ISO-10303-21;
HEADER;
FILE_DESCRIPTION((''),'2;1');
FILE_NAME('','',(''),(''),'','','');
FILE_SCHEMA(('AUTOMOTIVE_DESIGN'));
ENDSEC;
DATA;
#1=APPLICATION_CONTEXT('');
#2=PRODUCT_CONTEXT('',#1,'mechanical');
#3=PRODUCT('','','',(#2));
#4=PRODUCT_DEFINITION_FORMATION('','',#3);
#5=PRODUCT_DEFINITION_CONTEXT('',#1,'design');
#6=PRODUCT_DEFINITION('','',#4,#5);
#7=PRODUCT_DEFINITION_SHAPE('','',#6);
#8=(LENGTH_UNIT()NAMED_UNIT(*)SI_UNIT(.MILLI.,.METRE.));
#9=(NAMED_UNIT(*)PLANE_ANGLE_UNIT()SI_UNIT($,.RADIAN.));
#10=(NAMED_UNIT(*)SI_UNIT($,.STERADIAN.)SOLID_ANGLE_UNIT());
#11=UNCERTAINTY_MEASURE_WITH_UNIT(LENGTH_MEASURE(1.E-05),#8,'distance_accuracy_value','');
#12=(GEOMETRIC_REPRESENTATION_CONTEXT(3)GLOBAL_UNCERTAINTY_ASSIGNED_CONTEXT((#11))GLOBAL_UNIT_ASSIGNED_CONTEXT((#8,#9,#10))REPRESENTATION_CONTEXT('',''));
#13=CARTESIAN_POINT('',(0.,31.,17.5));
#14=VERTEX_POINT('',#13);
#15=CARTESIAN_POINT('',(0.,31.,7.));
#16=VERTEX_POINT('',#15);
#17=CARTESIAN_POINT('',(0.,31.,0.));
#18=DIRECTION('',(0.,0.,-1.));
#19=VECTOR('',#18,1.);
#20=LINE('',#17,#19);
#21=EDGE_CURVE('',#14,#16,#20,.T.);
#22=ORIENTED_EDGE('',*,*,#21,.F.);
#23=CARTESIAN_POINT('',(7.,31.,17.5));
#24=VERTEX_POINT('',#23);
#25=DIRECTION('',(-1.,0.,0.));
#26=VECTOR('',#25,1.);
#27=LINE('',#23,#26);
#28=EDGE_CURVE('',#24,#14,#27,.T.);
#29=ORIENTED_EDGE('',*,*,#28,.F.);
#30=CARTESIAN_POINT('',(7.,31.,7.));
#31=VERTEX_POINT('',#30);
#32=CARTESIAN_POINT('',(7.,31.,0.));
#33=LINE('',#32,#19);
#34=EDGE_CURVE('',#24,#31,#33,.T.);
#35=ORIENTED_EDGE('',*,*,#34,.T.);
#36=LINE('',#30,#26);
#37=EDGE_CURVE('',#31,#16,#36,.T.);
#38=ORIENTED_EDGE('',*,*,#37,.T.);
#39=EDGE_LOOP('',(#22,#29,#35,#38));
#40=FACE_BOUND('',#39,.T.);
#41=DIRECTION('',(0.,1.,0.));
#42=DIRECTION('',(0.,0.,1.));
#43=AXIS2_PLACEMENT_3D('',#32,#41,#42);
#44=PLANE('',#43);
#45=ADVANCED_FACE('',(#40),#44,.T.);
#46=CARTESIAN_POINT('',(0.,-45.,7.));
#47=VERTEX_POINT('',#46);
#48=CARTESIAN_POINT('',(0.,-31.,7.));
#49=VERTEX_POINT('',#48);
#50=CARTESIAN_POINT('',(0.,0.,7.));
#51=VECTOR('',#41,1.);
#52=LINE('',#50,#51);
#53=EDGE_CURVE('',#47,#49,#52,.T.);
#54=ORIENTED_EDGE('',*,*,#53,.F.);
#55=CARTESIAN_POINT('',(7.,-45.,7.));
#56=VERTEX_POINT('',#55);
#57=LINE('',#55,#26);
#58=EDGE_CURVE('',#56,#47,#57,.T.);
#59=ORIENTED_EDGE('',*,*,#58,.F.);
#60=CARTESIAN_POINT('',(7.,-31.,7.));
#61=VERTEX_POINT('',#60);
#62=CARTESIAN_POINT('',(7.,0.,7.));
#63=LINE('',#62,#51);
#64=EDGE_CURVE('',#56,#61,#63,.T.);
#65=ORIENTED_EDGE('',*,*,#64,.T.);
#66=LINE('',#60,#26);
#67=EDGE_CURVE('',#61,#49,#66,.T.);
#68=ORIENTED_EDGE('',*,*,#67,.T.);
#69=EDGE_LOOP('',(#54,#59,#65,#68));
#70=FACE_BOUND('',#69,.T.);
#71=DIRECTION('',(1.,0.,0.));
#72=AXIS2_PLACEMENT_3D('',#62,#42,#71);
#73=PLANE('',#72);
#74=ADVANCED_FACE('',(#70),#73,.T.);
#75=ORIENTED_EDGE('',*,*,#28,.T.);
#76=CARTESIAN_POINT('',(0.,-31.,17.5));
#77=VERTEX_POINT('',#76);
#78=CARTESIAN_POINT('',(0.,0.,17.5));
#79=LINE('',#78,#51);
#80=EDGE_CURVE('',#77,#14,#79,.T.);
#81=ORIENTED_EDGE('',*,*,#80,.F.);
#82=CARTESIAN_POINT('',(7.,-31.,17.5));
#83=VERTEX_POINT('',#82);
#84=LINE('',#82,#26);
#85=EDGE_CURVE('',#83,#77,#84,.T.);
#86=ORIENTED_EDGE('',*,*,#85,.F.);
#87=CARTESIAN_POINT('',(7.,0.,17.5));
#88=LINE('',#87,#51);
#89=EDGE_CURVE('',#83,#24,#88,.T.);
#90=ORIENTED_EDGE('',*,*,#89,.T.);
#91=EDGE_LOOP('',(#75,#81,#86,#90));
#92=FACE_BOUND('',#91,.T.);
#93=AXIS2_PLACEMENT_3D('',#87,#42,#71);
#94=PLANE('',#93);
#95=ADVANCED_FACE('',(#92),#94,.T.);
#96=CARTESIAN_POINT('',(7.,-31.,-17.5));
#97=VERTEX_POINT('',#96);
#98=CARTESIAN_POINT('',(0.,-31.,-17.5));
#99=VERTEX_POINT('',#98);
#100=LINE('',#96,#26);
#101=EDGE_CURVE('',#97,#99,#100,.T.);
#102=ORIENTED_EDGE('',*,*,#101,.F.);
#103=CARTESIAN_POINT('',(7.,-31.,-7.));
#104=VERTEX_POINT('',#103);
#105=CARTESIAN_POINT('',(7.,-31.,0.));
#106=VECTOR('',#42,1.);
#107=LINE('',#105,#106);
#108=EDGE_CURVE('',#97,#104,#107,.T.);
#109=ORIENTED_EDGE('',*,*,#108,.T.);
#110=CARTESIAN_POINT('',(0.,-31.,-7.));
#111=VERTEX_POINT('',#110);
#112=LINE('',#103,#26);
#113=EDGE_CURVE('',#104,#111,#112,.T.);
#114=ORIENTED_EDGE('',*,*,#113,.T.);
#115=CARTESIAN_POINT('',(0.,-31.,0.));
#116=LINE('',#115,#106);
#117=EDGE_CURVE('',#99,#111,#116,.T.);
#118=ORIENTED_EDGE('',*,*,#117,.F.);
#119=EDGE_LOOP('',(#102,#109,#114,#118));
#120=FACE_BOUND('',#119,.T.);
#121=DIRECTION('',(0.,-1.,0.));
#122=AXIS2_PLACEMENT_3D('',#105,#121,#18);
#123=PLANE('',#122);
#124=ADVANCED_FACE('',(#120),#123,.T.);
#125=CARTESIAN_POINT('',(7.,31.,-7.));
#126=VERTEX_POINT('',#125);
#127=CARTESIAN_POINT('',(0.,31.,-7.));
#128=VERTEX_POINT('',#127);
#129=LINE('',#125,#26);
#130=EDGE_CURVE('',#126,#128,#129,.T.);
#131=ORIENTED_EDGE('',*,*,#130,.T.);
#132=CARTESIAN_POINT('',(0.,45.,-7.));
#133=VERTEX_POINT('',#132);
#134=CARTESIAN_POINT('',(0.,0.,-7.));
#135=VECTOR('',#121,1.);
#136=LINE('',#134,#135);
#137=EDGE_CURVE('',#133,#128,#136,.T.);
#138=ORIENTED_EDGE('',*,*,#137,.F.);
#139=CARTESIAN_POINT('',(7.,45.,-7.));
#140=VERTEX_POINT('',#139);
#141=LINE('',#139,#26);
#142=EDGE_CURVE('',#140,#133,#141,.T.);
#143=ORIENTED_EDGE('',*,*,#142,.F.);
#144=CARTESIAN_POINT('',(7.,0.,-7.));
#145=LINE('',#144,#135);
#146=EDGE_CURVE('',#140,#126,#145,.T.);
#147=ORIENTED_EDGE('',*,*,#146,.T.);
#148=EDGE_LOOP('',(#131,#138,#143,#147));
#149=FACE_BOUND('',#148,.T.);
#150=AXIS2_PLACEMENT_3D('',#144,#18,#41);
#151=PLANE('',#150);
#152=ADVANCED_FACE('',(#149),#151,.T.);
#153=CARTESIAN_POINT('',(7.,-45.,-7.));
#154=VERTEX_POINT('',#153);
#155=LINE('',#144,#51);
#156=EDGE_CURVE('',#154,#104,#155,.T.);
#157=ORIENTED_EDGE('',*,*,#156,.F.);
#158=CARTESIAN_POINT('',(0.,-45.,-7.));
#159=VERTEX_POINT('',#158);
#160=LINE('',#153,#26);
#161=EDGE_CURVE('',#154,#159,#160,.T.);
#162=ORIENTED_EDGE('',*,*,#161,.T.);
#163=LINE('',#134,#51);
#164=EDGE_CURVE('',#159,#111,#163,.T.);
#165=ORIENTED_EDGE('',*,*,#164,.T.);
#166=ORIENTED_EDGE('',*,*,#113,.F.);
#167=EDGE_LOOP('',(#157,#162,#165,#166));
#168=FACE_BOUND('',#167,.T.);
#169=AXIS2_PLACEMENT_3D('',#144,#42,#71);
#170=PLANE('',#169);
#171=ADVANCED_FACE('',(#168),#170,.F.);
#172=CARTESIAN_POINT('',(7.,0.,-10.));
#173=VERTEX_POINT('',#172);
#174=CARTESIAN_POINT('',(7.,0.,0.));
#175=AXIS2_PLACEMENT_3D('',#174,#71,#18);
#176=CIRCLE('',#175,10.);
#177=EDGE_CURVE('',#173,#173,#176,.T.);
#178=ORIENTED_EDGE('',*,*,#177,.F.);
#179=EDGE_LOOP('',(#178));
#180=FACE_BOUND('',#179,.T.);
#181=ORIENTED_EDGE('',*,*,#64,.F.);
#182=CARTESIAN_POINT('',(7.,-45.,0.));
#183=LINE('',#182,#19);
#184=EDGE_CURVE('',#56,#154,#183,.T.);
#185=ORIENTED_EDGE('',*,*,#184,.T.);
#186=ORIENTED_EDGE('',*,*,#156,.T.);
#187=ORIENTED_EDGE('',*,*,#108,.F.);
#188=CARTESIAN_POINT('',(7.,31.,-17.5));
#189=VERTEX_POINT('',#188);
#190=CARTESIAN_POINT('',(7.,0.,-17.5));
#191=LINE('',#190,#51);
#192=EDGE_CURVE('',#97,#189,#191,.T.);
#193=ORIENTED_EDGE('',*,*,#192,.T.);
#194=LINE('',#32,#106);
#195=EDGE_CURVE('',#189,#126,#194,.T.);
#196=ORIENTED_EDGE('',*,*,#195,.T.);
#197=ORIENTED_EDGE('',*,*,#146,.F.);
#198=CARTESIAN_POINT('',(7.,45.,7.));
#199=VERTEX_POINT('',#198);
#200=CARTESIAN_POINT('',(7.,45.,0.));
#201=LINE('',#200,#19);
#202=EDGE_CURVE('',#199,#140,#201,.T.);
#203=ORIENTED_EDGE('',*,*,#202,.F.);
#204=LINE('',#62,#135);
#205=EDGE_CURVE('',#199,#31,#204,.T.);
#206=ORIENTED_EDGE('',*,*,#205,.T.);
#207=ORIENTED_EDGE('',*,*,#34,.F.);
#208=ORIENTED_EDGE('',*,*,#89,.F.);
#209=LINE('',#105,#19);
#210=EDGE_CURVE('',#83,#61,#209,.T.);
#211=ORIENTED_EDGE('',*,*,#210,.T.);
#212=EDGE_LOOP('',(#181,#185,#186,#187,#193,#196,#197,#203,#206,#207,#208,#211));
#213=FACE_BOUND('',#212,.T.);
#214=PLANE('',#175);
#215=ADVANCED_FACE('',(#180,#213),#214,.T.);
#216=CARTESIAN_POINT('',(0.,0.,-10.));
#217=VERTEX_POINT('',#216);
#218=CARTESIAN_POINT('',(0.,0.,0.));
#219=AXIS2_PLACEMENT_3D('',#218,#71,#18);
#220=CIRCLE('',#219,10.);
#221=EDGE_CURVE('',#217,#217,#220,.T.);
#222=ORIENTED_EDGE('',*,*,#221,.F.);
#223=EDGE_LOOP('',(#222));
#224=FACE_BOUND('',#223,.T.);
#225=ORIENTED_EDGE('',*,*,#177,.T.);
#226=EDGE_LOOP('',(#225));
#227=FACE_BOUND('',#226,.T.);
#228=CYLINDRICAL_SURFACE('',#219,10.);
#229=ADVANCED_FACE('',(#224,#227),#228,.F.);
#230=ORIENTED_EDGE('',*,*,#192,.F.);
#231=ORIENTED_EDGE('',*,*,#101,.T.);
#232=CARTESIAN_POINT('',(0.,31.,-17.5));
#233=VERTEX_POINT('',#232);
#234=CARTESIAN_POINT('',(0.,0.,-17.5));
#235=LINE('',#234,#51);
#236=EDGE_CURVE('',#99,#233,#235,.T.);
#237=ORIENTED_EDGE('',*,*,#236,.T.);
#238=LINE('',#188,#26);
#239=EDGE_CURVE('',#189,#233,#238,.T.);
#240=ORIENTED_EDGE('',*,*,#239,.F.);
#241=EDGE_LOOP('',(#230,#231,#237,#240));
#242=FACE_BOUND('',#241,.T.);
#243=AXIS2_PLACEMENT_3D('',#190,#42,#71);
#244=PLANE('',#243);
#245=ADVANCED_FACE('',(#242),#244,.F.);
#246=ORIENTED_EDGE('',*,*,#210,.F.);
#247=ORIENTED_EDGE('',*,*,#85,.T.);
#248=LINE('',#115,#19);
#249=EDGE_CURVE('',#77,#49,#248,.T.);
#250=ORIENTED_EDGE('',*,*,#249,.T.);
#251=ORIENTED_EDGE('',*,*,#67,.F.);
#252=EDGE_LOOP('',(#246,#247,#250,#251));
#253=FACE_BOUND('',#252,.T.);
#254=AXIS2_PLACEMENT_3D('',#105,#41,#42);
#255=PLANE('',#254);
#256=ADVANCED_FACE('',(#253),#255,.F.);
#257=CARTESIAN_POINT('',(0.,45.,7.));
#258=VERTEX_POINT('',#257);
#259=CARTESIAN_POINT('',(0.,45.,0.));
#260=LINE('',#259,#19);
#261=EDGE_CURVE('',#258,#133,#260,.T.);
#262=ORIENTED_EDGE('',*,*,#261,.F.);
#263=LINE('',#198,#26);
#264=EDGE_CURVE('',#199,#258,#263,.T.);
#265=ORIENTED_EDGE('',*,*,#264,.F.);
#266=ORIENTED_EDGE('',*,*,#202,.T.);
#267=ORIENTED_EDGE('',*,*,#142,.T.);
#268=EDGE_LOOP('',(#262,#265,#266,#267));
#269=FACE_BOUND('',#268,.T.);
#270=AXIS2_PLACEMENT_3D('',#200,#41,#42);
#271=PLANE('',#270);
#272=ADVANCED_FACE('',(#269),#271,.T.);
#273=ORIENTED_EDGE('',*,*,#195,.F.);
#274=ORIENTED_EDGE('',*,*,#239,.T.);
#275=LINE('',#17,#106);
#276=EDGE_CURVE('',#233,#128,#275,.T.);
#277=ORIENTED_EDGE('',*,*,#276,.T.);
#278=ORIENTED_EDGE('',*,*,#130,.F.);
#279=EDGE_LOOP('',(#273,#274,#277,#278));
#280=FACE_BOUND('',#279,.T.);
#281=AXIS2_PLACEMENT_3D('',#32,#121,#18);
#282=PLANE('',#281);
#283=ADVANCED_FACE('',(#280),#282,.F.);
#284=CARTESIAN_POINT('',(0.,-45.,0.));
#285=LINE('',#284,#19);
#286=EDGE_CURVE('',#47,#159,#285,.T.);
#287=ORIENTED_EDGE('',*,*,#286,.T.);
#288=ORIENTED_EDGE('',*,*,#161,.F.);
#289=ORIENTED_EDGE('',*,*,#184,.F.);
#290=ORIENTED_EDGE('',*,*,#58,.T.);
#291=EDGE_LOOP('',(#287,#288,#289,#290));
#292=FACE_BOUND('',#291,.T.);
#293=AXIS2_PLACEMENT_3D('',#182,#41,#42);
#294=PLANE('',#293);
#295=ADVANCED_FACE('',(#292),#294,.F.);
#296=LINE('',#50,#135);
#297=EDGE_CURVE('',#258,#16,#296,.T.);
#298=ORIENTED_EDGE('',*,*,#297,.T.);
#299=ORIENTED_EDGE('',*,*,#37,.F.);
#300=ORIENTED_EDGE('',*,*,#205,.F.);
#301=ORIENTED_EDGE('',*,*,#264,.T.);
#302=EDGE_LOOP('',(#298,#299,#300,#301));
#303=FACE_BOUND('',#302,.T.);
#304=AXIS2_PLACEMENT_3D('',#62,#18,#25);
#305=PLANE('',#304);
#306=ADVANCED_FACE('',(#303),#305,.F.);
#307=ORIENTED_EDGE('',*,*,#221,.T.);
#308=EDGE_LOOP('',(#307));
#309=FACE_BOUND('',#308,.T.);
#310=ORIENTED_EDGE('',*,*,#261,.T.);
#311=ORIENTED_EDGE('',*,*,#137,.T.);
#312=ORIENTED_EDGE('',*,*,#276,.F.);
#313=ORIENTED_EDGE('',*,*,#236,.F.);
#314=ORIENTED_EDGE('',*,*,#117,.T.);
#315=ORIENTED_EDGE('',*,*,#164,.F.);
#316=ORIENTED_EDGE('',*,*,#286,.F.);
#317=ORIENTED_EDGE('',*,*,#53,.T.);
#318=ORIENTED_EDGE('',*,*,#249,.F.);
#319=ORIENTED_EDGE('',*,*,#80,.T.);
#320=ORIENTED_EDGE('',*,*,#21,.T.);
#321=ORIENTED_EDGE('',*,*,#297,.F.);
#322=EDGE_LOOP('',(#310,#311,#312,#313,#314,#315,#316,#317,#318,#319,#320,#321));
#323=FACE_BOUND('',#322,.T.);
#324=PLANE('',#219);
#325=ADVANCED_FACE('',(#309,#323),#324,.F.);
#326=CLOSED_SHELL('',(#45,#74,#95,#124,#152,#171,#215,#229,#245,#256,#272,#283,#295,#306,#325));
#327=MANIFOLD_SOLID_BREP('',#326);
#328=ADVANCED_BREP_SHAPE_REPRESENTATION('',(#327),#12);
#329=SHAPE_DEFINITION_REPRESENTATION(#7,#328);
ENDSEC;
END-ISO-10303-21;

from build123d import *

# Parameters (mm, degrees)
BOSS_EXTRUDE1_DEPTH = 7
SKETCH2_R           = 10
CUT_EXTRUDE1_DEPTH  = 8


with BuildPart() as part:
    # Sketch1 → Boss-Extrude1 (new body)
    with BuildSketch(Plane(origin=(0, 0, 0), x_dir=(0, 0, -1), z_dir=(1, 0, 0))):
        Polygon((-7, -31), (-7, -45), (7, -45), (7, -31), (17.5, -31), (17.5, 31), (7, 31), (7, 45), (-7, 45), (-7, 31), (-17.5, 31), (-17.5, -31), align=None)
    extrude(amount=BOSS_EXTRUDE1_DEPTH)

    # Sketch2 → Cut-Extrude1 (cut, through all)
    with BuildSketch(Plane(origin=(7, 0, 0), x_dir=(0, 0, -1), z_dir=(1, 0, 0))):
        Circle(SKETCH2_R)
    extrude(amount=-CUT_EXTRUDE1_DEPTH, mode=Mode.SUBTRACT)


solid = part.part
